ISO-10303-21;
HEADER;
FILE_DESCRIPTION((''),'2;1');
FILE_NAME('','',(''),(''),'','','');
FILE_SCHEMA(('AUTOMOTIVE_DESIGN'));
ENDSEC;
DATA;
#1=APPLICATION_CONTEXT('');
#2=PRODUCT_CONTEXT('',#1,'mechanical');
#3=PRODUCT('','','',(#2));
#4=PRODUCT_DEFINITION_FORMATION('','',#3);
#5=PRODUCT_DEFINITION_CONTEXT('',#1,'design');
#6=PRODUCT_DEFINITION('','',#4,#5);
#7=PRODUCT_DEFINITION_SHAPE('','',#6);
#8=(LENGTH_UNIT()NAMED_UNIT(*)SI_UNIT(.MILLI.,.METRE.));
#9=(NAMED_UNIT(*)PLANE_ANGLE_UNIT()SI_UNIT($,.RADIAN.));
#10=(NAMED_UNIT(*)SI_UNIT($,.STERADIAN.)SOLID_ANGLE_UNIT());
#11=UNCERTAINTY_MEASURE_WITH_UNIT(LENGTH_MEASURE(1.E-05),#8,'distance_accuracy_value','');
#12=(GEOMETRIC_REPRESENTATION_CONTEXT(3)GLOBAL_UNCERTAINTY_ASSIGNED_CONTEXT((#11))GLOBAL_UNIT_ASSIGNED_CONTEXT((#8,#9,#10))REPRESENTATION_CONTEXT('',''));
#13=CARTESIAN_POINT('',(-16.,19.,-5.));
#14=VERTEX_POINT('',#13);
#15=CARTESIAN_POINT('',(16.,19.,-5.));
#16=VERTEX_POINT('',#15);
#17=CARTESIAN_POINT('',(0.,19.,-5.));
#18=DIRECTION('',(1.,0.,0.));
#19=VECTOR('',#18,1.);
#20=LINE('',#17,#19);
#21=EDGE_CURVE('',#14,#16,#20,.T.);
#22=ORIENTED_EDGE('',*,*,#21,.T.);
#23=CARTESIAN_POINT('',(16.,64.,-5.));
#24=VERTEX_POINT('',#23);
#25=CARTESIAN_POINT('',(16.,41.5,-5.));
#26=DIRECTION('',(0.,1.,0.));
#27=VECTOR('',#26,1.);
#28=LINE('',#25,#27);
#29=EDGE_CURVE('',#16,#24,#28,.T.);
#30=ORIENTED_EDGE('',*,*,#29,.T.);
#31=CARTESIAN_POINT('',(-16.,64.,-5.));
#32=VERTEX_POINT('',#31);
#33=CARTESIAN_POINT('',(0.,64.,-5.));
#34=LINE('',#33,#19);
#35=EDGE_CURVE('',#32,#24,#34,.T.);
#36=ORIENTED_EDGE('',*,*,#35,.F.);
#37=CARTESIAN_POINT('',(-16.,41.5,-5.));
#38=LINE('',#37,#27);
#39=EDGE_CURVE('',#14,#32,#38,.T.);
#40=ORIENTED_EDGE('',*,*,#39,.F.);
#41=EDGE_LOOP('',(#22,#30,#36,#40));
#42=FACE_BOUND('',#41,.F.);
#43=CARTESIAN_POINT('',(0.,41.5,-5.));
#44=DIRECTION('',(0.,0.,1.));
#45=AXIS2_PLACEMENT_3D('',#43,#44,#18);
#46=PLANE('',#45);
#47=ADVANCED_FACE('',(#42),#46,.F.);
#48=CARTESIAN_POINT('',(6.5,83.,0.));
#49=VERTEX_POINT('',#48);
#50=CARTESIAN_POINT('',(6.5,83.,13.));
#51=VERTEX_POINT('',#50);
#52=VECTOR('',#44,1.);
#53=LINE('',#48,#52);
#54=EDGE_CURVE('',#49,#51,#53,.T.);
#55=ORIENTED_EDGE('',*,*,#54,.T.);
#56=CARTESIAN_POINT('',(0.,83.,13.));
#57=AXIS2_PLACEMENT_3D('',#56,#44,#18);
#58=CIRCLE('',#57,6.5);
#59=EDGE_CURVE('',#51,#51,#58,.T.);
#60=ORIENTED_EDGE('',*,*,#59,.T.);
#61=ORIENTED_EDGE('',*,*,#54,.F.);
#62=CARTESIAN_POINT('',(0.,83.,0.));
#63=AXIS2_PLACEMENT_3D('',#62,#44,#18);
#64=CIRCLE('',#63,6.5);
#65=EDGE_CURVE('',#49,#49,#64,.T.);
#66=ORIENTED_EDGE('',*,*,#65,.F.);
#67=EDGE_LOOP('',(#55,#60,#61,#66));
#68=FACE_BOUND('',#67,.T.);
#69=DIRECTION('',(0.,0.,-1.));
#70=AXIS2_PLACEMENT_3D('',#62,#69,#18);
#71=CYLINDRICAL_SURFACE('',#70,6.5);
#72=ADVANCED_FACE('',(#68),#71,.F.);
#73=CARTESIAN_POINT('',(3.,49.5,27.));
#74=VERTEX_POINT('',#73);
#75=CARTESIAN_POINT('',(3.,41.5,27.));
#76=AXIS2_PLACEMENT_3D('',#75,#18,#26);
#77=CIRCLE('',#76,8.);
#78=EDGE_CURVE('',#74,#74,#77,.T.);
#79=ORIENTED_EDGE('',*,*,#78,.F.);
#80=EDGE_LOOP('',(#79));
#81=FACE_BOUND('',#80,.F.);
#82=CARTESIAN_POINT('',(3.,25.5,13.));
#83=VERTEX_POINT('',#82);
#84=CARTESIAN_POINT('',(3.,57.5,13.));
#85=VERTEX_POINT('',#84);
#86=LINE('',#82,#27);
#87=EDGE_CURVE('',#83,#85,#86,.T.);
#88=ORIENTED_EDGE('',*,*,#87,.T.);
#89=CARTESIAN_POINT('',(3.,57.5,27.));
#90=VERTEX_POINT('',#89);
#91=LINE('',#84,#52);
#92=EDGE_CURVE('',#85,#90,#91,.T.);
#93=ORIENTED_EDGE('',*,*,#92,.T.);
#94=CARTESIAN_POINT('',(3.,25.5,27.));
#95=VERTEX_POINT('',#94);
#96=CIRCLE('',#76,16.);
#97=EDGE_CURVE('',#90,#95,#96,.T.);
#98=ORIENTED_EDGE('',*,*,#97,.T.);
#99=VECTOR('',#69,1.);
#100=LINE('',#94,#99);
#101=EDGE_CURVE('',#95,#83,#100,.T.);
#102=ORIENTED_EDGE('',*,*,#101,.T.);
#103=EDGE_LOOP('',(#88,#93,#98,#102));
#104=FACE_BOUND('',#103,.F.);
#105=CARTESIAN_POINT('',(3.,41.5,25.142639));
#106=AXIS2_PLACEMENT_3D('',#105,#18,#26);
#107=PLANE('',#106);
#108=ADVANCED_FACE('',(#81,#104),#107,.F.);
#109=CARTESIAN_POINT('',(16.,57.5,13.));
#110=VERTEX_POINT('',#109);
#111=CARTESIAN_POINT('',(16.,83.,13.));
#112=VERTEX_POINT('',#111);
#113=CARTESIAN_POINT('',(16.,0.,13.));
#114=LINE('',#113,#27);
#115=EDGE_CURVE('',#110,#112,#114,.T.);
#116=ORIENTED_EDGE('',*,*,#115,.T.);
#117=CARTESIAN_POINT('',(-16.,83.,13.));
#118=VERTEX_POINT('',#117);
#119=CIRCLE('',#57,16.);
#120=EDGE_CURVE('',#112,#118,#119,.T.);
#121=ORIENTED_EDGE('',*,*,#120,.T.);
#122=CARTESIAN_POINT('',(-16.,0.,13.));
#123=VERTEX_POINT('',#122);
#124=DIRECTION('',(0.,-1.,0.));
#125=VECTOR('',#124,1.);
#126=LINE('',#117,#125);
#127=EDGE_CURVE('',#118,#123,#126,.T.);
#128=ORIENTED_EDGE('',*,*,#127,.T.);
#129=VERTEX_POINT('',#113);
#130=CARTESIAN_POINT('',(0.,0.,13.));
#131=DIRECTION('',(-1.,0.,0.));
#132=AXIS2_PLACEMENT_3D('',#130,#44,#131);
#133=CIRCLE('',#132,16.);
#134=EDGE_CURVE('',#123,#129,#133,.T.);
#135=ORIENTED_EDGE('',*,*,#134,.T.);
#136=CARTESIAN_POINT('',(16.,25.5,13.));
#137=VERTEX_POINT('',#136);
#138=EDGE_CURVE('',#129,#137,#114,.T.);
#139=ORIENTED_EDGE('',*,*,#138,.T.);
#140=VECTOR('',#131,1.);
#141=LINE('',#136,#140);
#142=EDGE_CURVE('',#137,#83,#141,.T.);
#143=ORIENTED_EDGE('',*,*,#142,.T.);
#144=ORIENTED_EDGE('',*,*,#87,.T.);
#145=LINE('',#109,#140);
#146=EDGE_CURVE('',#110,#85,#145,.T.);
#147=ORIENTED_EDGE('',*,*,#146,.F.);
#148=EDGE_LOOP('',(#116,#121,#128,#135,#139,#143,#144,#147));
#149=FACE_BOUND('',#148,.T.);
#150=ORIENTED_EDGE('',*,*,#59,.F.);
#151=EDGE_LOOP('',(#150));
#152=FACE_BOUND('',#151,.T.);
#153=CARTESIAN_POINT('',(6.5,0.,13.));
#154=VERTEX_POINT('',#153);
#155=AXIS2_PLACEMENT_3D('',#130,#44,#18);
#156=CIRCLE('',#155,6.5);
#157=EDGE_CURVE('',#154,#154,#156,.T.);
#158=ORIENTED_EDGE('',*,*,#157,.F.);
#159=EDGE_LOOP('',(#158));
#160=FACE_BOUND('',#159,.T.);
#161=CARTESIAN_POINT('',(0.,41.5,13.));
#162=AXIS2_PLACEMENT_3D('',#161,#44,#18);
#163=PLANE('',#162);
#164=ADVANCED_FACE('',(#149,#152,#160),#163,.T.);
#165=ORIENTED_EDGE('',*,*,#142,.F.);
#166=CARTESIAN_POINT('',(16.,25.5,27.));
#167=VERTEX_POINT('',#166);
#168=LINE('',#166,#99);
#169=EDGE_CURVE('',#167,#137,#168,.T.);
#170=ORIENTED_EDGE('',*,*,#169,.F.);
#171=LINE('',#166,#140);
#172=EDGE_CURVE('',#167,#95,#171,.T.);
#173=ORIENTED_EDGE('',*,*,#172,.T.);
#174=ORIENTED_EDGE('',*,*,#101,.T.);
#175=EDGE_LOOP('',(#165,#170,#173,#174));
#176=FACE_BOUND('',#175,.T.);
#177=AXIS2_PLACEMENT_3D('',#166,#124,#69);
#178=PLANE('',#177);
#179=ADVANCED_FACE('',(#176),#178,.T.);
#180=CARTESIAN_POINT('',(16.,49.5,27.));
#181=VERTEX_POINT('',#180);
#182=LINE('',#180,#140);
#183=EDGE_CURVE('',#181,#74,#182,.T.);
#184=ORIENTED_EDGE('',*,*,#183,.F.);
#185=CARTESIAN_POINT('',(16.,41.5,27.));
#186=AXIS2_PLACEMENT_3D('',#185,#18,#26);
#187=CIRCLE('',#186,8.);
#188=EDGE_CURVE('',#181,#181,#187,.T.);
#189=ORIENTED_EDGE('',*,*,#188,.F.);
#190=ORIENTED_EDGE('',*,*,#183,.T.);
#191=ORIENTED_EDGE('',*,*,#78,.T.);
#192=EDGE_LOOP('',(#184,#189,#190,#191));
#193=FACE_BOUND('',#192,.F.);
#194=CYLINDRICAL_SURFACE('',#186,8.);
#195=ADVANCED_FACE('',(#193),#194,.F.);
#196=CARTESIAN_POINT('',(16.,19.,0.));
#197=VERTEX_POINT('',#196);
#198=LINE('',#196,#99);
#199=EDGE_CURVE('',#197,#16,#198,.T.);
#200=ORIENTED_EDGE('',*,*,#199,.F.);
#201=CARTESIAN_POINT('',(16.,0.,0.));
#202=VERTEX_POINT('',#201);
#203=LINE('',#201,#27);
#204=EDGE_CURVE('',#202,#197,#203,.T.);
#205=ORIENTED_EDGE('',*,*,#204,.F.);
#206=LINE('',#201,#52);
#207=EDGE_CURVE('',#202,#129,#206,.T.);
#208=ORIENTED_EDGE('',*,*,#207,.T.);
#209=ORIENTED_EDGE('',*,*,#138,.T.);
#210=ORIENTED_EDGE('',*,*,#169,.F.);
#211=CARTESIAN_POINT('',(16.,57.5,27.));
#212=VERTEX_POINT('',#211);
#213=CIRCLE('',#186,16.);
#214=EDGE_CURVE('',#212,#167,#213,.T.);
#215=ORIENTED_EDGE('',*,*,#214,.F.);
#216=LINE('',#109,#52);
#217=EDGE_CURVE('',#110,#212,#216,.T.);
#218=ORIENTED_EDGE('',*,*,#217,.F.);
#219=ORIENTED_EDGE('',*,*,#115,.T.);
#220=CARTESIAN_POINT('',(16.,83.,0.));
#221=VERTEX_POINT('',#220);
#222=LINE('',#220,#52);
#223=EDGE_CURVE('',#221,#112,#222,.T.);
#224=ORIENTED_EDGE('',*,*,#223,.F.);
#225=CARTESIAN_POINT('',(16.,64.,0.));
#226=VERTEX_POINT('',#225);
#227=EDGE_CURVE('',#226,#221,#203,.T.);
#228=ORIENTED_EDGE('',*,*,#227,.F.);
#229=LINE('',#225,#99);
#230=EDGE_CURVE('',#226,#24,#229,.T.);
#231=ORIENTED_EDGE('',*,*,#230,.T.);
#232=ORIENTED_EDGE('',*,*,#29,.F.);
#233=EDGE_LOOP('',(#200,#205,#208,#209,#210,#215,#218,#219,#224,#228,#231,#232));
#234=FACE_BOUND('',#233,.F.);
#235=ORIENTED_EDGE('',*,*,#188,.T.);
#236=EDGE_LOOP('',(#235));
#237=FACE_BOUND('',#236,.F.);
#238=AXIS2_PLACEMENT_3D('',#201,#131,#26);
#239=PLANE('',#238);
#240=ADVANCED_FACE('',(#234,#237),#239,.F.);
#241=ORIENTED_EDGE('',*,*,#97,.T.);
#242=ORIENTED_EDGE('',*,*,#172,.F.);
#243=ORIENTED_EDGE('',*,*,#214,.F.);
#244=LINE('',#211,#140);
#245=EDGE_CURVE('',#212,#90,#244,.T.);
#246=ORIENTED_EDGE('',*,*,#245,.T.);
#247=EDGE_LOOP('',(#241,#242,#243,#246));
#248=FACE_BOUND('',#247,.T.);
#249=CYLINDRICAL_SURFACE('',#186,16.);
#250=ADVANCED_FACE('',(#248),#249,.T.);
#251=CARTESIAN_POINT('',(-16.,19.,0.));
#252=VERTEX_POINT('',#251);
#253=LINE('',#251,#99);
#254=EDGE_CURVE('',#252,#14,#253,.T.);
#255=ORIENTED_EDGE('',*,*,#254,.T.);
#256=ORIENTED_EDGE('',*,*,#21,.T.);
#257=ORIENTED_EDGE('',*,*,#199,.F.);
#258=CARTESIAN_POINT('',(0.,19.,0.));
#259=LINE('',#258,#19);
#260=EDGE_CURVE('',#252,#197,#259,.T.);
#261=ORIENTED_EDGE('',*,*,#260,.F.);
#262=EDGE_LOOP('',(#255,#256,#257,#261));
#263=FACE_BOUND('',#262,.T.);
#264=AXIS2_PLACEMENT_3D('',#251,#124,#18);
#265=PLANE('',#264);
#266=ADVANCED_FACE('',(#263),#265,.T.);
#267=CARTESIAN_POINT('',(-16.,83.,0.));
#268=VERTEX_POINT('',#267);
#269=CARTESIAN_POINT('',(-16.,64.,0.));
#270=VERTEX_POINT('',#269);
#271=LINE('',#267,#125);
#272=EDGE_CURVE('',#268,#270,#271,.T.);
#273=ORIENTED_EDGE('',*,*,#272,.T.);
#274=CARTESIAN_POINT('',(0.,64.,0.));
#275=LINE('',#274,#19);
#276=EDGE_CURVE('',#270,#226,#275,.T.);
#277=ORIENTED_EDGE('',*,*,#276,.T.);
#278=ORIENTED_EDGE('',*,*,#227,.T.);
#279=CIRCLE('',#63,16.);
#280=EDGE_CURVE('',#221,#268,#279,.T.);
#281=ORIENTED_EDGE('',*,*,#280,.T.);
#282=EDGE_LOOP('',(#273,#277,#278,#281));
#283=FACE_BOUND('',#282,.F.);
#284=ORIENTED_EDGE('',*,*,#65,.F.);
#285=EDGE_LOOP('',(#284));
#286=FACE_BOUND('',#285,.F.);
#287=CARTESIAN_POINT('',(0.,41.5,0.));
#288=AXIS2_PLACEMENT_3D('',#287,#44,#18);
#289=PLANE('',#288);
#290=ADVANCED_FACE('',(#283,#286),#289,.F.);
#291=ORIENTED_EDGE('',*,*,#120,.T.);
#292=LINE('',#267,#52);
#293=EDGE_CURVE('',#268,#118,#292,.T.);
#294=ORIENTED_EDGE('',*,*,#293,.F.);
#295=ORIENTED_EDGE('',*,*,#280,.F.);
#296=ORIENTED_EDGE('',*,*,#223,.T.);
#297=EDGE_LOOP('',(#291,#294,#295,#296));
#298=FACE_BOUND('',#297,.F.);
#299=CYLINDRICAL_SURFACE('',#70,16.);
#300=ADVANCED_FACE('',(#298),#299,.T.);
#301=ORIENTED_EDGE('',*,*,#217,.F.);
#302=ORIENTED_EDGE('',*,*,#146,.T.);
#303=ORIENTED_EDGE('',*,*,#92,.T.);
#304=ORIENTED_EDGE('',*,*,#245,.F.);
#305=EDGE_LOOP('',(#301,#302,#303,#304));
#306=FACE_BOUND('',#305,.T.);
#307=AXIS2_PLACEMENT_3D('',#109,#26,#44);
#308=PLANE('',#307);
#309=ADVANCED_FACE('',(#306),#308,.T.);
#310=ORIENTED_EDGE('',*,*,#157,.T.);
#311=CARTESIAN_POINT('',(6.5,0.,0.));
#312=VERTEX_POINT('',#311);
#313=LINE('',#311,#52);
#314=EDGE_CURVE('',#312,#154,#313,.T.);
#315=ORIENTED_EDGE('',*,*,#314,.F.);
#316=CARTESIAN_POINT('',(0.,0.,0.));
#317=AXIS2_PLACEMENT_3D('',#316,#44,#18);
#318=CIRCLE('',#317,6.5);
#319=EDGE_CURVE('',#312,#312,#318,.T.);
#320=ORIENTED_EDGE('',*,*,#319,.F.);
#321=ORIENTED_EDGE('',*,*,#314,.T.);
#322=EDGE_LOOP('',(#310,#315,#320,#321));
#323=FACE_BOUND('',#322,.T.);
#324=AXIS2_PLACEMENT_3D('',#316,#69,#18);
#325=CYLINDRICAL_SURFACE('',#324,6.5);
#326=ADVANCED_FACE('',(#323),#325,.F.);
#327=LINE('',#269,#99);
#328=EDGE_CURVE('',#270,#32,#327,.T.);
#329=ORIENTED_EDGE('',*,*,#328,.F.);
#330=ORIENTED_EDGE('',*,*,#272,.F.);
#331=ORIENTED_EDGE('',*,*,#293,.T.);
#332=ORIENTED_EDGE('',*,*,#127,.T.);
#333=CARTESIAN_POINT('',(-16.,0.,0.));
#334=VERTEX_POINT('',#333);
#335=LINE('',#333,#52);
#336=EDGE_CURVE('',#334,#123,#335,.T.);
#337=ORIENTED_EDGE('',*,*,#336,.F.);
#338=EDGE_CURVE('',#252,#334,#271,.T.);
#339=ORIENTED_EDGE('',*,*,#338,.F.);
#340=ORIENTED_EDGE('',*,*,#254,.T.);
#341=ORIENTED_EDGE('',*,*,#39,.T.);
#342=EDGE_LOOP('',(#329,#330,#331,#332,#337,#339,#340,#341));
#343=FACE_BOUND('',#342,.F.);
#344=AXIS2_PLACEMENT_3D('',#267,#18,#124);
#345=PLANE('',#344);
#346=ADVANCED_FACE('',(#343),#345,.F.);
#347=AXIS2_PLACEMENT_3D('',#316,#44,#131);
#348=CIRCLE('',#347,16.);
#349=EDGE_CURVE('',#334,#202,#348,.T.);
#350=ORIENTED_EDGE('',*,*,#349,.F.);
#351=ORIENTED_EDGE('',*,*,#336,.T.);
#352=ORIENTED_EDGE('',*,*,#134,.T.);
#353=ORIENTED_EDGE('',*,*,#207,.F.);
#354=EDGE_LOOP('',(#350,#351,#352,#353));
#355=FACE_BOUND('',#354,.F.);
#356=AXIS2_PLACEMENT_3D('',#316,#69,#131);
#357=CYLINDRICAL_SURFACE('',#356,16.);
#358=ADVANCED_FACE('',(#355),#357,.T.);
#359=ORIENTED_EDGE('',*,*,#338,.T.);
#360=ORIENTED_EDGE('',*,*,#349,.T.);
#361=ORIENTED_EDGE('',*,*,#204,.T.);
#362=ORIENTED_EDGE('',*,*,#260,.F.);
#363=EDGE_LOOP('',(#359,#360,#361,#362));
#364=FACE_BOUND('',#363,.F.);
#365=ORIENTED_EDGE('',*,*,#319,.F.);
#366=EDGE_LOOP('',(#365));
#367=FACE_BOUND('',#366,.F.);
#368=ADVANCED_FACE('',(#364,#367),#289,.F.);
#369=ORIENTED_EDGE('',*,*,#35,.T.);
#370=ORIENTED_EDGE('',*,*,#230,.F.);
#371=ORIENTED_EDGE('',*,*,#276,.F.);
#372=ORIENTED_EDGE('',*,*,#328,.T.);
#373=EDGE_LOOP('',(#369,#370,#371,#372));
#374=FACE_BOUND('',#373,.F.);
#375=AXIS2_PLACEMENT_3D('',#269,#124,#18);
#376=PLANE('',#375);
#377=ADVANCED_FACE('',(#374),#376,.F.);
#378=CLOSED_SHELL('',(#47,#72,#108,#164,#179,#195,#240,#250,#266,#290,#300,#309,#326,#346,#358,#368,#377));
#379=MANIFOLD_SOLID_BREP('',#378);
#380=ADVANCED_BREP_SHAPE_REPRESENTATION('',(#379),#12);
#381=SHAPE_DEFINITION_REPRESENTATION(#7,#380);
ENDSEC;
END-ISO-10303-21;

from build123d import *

# Parameters (mm, degrees)
F0_W     = 32
F0_H     = 45
F0_R     = 6.5
F1_DEPTH = 13
F2_DEPTH = 5
F3_R     = 8
F4_DEPTH = 13


with BuildPart() as f1:
    # F0 (on Top) → F1 (new body)
    with BuildSketch(Plane.XY):
        with Locations((0, 41.5)):
            Rectangle(F0_W, F0_H)
        with BuildLine():
            Line((-16, 19), (-16, 0))
            ThreePointArc((-16, 0), (0, -16), (16, 0))
            Line((16, 0), (16, 19))
            Line((16, 19), (-16, 19))
        make_face()
        Circle(F0_R, mode=Mode.SUBTRACT)
        with BuildLine():
            Line((-16, 83), (-16, 64))
            Line((-16, 64), (16, 64))
            Line((16, 64), (16, 83))
            ThreePointArc((16, 83), (0, 99), (-16, 83))
        make_face()
        with Locations((0, 83)):
            Circle(F0_R, mode=Mode.SUBTRACT)
    extrude(amount=F1_DEPTH)

    # F0 (on Top) → F2 (join)
    with BuildSketch(Plane.XY):
        with Locations((0, 41.5)):
            Rectangle(F0_W, F0_H)
    extrude(amount=-F2_DEPTH)

    # F3 (on face) → F4 (join)
    with BuildSketch(Plane.YZ.offset(16)):
        with BuildLine():
            Line((57.5, 13), (57.5, 27))
            ThreePointArc((57.5, 27), (41.5, 43), (25.5, 27))
            Line((25.5, 27), (25.5, 13))
            Line((25.5, 13), (57.5, 13))
        make_face()
        with Locations((41.5, 27)):
            Circle(F3_R, mode=Mode.SUBTRACT)
    extrude(amount=-F4_DEPTH)


solid = f1.part
